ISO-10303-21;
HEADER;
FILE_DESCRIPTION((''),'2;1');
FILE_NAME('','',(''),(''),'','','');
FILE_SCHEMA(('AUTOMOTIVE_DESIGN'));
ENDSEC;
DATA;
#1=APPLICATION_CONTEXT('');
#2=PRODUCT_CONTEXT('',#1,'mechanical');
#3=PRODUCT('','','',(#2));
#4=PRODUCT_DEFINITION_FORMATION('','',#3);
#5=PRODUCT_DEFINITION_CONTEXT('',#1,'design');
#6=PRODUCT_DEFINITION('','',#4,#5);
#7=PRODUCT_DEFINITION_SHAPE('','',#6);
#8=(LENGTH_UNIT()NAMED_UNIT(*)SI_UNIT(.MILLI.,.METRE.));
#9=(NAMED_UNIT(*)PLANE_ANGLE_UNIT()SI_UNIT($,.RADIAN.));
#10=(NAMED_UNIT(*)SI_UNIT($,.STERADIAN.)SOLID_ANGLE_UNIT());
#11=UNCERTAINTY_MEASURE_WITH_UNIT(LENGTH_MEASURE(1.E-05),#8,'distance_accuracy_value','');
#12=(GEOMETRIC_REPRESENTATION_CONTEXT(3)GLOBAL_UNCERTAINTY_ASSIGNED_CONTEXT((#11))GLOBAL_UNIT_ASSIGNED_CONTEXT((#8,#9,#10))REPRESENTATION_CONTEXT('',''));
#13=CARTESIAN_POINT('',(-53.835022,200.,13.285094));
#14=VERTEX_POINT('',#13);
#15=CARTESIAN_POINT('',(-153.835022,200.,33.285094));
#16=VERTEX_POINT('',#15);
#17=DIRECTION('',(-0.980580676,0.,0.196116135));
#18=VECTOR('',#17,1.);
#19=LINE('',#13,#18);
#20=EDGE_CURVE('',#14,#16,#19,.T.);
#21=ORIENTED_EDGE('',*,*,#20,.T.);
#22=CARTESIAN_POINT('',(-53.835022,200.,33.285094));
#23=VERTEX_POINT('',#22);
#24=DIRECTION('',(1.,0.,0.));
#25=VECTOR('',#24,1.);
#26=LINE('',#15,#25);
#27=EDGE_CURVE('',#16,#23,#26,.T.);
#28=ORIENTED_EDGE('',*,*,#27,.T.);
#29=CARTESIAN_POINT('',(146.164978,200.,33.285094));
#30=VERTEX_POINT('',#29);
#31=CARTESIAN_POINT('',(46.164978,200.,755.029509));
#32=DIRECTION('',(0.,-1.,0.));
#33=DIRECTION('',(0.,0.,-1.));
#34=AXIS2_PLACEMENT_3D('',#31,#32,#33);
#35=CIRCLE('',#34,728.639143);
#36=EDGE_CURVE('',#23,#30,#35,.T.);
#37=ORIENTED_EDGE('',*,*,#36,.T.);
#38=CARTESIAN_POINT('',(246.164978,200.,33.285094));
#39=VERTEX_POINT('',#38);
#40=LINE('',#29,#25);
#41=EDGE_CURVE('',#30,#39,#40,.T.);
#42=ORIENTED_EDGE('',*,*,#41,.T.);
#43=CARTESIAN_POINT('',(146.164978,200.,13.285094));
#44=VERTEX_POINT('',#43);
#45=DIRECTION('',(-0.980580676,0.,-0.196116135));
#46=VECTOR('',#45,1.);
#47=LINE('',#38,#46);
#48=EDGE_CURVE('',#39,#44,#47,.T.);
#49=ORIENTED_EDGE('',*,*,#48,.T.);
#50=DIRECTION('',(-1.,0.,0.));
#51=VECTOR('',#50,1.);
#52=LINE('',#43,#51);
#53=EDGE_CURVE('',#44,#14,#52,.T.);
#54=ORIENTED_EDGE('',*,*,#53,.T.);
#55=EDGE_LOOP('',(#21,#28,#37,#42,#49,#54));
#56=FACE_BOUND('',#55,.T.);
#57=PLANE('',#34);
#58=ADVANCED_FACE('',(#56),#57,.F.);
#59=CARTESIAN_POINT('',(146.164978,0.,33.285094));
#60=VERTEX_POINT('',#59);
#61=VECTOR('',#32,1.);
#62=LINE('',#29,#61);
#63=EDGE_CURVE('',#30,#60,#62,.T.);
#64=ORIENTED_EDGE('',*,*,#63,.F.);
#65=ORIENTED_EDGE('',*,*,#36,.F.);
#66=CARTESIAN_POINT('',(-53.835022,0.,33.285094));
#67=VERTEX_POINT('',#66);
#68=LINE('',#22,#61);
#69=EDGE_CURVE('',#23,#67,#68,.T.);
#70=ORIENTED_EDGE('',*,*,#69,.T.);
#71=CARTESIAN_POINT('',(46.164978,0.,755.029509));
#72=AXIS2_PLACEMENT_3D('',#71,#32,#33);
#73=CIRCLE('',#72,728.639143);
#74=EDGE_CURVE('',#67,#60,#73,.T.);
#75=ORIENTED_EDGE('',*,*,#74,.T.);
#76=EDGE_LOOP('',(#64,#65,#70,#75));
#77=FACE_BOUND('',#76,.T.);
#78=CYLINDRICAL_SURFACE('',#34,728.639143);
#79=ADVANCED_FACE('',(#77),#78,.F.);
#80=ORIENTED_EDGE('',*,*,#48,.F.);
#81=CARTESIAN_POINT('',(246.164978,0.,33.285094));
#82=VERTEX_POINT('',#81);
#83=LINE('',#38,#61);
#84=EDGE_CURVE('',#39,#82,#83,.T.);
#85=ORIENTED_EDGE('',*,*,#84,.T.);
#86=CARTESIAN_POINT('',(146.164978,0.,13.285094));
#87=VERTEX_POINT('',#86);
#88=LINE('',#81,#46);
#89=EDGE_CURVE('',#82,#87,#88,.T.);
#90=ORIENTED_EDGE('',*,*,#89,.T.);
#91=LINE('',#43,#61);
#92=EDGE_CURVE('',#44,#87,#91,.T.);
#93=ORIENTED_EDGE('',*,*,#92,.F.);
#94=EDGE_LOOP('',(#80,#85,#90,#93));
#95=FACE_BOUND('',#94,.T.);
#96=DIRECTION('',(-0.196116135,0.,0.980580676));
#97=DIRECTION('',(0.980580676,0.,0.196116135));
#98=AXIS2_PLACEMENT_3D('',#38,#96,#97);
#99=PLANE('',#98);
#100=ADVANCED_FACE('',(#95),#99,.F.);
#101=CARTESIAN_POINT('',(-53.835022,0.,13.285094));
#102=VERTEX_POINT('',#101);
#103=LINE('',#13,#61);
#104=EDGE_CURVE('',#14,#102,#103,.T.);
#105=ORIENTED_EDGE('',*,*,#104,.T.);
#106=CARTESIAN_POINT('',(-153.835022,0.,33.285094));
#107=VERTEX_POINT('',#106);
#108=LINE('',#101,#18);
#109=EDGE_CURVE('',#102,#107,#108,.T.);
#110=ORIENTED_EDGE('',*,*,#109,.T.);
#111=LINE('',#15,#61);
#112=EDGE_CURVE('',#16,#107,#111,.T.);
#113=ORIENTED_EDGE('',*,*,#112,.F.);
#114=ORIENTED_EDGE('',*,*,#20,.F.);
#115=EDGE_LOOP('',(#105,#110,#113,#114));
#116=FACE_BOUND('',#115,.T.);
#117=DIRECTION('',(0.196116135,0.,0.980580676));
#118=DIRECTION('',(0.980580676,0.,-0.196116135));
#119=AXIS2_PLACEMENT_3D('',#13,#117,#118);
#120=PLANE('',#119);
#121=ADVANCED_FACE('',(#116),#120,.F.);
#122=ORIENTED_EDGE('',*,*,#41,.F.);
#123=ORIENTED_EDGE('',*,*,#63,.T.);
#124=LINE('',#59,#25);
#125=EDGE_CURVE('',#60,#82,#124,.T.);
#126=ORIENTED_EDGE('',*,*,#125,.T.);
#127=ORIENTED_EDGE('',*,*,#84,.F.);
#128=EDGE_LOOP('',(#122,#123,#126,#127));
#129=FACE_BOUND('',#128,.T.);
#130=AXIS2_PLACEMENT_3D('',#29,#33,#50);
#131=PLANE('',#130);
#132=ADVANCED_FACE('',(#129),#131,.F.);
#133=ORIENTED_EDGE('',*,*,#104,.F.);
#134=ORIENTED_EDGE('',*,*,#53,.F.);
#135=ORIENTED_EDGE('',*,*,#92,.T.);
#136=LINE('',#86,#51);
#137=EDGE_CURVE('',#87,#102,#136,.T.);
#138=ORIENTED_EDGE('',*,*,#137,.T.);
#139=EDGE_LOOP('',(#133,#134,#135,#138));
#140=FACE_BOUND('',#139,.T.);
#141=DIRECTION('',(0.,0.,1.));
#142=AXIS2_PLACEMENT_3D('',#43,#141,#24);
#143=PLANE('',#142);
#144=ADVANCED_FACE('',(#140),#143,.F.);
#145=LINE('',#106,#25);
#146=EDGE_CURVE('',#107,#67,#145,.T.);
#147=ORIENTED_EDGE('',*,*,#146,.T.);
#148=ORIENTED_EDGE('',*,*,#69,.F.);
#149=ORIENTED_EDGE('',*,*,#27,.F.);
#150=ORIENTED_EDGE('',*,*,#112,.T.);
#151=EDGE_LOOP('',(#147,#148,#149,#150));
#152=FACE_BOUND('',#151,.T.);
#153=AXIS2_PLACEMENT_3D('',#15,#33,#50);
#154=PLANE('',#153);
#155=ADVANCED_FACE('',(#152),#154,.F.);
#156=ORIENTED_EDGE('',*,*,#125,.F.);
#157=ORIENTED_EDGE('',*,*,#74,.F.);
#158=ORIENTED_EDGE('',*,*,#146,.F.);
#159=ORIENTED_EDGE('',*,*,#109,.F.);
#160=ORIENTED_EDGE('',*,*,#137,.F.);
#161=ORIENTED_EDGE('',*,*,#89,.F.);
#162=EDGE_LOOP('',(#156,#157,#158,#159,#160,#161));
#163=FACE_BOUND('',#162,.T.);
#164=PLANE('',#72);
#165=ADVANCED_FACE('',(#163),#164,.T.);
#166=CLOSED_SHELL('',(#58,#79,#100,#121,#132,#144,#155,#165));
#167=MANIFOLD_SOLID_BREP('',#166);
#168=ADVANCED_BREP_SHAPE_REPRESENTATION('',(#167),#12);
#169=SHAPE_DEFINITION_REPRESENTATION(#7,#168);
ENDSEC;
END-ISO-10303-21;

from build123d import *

# Parameters (mm, degrees)
DODANIE_WYCI_GNI_CIE1_DEPTH = 200


with BuildPart() as part:
    # Szkic1 → Dodanie-wyciągnięcie1 (new body)
    with BuildSketch(Plane(origin=(0, 0, 0), x_dir=(1, 0, 0), z_dir=(0, 1, 0))):
        with BuildLine():
            Line((-153.835021708, -33.285094067), (-53.835021708, -33.285094067))
            ThreePointArc((-53.835021708, -33.285094067), (46.164978292, -26.390366158), (146.164978292, -33.285094067))
            Line((146.164978292, -33.285094067), (246.164978292, -33.285094067))
            Line((246.164978292, -33.285094067), (146.164978292, -13.285094067))
            Line((146.164978292, -13.285094067), (-53.835021708, -13.285094067))
            Line((-53.835021708, -13.285094067), (-153.835021708, -33.285094067))
        make_face()
    extrude(amount=DODANIE_WYCI_GNI_CIE1_DEPTH)


solid = part.part
